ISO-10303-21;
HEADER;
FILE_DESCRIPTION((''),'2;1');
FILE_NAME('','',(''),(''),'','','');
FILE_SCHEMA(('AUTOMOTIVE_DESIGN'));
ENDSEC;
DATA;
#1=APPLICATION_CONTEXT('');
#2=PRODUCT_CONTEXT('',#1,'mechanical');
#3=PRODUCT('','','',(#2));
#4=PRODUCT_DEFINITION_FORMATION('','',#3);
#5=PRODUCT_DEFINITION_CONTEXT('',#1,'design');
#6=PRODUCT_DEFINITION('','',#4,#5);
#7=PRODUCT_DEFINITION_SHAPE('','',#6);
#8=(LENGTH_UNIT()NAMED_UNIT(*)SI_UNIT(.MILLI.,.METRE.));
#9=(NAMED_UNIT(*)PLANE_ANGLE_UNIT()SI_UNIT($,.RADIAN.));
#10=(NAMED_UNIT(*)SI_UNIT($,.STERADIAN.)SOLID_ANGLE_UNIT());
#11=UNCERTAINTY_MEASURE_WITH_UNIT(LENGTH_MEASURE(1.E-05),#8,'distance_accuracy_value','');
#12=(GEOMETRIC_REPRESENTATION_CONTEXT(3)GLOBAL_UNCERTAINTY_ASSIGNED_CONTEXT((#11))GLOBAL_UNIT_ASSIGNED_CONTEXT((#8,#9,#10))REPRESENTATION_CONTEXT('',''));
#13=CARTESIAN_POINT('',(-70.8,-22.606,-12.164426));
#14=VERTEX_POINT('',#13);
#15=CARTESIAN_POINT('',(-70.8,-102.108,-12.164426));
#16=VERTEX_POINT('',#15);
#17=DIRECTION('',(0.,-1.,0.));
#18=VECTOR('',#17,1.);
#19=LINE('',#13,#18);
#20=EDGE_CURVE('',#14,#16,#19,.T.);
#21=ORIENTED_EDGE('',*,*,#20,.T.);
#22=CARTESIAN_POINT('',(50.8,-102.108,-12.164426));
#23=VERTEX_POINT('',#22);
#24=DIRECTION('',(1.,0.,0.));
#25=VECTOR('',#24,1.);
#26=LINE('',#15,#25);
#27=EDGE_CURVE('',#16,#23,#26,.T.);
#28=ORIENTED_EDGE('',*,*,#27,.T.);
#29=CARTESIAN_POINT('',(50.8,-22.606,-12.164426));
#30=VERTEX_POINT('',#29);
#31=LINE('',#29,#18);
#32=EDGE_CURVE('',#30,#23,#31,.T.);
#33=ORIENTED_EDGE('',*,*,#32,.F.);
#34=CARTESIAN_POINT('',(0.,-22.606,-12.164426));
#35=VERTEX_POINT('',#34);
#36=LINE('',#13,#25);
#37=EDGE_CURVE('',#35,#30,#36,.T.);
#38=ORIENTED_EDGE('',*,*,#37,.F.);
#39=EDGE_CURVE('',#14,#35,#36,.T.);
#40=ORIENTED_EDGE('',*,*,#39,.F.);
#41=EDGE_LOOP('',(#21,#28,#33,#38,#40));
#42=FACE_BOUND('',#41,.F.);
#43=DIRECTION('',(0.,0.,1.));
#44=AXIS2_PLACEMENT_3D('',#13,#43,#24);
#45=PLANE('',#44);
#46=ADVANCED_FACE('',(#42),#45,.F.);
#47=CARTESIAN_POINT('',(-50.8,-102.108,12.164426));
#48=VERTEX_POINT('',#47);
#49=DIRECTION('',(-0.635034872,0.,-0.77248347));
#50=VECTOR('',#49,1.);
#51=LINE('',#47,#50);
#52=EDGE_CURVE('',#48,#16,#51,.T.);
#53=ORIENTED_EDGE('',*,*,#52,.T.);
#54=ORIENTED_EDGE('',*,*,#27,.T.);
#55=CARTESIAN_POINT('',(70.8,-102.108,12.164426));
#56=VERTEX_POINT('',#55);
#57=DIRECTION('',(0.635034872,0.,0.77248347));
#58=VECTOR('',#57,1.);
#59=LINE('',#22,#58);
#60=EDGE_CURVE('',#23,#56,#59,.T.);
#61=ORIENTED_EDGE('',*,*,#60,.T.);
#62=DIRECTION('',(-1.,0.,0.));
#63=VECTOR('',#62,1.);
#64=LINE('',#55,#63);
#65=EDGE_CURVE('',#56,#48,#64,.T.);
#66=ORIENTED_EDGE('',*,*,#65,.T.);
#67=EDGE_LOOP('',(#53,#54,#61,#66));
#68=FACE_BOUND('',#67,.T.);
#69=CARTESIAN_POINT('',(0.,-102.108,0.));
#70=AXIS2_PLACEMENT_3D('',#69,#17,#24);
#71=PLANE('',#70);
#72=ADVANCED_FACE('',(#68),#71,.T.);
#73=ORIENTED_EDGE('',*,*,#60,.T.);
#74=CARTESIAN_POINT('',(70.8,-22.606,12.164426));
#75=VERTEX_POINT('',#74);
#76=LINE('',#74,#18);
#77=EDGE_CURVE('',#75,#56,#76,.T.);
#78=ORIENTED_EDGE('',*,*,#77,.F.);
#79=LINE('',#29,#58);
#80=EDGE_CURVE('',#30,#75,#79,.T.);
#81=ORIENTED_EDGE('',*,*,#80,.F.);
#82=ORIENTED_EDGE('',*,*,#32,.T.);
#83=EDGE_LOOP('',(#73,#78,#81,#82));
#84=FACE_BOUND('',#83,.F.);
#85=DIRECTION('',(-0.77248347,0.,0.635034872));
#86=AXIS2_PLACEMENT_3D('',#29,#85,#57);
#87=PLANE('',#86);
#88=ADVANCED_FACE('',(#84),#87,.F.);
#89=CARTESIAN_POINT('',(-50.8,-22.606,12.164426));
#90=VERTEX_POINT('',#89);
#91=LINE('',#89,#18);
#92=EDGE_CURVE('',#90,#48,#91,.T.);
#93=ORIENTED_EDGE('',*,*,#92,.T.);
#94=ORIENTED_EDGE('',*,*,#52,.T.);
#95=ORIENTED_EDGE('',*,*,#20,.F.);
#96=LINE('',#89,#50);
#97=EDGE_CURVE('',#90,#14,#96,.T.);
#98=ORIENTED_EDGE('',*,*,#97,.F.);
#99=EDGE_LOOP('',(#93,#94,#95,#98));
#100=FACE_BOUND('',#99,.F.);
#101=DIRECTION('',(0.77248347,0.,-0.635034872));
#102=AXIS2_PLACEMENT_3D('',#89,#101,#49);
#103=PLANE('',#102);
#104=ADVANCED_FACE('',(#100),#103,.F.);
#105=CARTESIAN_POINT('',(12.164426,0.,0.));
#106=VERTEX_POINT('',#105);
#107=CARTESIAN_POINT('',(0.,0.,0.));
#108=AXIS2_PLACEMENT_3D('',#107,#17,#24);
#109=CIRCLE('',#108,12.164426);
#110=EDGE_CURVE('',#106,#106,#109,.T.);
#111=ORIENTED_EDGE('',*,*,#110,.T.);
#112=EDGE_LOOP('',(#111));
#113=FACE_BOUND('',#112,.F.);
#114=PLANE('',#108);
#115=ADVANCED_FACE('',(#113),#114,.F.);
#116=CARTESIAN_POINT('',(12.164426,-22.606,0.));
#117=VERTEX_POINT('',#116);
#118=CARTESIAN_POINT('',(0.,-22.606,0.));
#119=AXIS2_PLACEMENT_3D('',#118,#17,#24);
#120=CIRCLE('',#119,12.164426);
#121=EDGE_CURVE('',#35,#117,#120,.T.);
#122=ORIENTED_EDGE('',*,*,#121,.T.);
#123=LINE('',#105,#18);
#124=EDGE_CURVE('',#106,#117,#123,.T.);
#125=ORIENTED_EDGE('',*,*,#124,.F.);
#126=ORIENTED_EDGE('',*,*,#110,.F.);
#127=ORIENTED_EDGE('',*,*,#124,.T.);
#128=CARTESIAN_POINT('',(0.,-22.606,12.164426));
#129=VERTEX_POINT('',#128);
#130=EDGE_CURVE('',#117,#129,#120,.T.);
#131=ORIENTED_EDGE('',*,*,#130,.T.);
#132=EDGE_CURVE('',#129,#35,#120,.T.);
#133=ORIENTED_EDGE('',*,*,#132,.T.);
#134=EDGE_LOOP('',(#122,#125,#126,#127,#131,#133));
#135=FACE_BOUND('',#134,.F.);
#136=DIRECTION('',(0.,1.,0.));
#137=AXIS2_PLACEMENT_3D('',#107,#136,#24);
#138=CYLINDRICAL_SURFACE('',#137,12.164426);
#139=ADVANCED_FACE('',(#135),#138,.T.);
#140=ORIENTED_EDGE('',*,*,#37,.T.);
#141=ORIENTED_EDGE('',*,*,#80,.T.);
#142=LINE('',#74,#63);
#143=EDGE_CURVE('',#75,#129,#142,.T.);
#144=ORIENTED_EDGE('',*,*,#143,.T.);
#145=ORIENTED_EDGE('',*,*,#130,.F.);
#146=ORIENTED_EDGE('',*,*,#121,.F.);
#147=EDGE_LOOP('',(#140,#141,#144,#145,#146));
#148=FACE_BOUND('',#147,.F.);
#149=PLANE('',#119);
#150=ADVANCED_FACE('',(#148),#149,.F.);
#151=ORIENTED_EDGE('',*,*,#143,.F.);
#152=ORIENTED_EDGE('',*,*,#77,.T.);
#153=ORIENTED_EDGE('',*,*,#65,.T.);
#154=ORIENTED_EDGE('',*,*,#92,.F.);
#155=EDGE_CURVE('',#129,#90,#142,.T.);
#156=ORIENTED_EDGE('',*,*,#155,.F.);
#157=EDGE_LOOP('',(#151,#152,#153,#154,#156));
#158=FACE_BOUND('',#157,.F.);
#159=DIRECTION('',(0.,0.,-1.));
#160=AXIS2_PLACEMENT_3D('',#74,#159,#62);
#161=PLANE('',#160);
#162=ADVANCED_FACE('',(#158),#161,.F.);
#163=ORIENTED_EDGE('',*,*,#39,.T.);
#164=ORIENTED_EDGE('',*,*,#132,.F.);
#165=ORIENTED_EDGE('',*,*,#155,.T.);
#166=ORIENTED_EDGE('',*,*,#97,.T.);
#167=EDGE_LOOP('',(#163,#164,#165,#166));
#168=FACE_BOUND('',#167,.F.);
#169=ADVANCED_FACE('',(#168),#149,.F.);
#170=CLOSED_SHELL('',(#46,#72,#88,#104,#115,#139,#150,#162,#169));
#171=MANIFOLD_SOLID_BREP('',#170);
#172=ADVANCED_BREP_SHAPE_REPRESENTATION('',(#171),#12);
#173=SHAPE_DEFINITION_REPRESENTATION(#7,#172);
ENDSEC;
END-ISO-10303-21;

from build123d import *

# Parameters (mm, degrees)
F0_R     = 12.164426
F1_DEPTH = 22.606
F3_DEPTH = 79.502


with BuildPart() as f1:
    # F0 (on Front) → F1 (new body)
    with BuildSketch(Plane.XZ):
        Circle(F0_R)
    extrude(amount=F1_DEPTH)

    # F2 (on face) → F3 (join)
    with BuildSketch(Plane.XZ.offset(22.606)):
        Polygon((50.8, 12.164426), (0, 12.164426), (-50.8, 12.164426), (-70.8, -12.164426), (-50.8, -12.164426), (0, -12.164426), (50.8, -12.164426), (70.8, 12.164426), align=None)
    extrude(amount=F3_DEPTH)


solid = f1.part
